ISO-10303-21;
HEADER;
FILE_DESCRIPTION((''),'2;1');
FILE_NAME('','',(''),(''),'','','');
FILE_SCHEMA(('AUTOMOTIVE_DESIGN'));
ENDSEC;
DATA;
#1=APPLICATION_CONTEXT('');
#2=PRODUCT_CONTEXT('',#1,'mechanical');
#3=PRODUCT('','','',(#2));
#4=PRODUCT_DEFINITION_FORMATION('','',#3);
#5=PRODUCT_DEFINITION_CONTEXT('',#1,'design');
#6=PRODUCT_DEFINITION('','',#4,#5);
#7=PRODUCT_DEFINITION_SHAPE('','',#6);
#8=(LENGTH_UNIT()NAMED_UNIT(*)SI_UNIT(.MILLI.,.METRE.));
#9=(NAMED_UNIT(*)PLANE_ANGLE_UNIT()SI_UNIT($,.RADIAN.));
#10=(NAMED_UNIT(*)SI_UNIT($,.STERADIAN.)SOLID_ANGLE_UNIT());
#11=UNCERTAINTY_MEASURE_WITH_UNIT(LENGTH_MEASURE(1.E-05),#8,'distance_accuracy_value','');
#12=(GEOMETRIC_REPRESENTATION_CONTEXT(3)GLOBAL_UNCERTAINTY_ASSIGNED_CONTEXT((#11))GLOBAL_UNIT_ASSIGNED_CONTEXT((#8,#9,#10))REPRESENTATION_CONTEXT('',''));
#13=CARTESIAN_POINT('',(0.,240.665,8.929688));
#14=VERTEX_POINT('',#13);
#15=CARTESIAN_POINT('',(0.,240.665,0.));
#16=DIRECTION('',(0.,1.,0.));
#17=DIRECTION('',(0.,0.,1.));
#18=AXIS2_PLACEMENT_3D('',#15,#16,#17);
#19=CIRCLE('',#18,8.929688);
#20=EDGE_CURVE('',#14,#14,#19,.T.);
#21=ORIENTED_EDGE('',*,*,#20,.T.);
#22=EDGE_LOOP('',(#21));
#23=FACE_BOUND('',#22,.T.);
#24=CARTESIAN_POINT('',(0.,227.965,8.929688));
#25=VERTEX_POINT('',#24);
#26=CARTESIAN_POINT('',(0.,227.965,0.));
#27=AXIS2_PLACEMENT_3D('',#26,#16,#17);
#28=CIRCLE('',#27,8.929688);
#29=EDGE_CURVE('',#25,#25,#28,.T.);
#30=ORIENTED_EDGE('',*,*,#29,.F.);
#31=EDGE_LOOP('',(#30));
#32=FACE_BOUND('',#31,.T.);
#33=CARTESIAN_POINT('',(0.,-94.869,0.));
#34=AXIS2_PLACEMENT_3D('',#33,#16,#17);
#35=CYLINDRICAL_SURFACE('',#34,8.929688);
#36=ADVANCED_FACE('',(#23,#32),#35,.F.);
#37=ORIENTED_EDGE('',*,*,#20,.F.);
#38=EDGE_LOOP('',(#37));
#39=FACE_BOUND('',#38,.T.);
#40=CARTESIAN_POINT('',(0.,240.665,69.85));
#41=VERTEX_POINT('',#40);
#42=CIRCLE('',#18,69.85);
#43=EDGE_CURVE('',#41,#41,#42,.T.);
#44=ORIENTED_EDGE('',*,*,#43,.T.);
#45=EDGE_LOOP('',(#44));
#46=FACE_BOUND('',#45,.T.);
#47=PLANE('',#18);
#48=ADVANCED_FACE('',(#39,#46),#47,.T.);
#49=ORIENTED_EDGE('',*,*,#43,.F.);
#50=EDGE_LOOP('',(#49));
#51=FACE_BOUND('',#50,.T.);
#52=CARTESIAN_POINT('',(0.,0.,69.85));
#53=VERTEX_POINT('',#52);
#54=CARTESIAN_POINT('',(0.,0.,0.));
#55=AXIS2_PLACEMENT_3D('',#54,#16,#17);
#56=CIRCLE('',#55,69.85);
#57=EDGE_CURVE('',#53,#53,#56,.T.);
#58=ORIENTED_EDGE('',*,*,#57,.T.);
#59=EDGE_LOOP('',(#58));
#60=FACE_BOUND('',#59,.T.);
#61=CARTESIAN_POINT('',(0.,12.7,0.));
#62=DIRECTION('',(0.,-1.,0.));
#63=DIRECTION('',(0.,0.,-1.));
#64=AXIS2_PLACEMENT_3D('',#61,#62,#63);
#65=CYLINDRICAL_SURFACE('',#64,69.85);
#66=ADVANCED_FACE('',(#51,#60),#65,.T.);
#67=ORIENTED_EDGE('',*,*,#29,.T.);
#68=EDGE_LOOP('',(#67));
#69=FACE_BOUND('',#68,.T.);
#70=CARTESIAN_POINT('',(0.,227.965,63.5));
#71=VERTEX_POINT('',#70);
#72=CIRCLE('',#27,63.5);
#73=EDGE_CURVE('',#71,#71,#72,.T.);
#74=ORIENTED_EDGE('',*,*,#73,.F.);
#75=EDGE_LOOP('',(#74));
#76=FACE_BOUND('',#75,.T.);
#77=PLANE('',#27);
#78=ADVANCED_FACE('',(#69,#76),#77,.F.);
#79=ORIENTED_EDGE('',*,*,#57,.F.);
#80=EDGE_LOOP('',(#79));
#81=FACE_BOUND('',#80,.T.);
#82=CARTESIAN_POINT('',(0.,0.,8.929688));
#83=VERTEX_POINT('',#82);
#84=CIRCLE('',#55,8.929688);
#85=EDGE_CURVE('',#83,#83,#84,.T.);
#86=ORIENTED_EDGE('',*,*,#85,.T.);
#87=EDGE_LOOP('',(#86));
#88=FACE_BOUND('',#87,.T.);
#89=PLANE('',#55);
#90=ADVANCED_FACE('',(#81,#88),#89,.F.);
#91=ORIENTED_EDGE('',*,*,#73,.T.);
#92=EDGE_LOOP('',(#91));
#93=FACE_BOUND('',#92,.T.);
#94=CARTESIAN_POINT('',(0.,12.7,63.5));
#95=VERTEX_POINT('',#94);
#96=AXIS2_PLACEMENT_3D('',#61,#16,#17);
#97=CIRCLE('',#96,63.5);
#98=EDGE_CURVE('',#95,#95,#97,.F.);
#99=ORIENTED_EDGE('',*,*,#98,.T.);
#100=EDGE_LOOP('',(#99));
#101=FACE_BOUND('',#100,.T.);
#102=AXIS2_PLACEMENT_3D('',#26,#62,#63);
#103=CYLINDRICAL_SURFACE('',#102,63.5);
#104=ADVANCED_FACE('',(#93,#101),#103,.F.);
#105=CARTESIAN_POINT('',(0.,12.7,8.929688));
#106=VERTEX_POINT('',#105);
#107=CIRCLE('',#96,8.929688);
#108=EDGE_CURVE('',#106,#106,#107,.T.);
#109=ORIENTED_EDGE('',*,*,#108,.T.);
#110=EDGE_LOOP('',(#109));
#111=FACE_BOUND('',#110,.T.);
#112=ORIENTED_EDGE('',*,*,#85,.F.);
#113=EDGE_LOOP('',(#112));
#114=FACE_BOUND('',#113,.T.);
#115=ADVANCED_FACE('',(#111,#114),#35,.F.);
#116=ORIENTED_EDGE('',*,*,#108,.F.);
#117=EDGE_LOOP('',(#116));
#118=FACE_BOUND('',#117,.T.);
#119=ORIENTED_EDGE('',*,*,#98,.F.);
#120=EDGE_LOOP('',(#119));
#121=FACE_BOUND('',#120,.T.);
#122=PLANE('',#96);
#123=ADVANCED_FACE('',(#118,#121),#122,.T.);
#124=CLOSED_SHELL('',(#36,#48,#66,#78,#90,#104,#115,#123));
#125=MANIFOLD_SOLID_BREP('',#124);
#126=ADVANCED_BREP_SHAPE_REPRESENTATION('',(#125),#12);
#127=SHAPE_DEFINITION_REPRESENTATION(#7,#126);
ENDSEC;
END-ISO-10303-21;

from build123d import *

# Parameters (mm, degrees)
SKETCH1_R           = 69.85
BOSS_EXTRUDE1_DEPTH = 12.7
SKETCH1_3_R         = 69.85
SKETCH1_3_R_2       = 63.5
BOSS_EXTRUDE2_DEPTH = 227.965
SKETCH2_R           = 69.85
BOSS_EXTRUDE3_DEPTH = 12.7
SKETCH3_R           = 8.9296875
CUT_EXTRUDE1_DEPTH  = 335.534


with BuildPart() as part:
    # Sketch1 → Boss-Extrude1 (new body)
    with BuildSketch(Plane(origin=(0, 0, 0), x_dir=(1, 0, 0), z_dir=(0, 1, 0))):
        Circle(SKETCH1_R)
    extrude(amount=BOSS_EXTRUDE1_DEPTH)

    # Sketch1<3> → Boss-Extrude2 (add)
    with BuildSketch(Plane(origin=(0, 0, 0), x_dir=(1, 0, 0), z_dir=(0, 1, 0))):
        Circle(SKETCH1_3_R)
        Circle(SKETCH1_3_R_2, mode=Mode.SUBTRACT)
    extrude(amount=BOSS_EXTRUDE2_DEPTH)

    # Sketch2 → Boss-Extrude3 (add)
    with BuildSketch(Plane(origin=(0, 227.965, 0), x_dir=(1, 0, 0), z_dir=(0, 1, 0))):
        Circle(SKETCH2_R)
    extrude(amount=BOSS_EXTRUDE3_DEPTH)

    # Sketch3 → Cut-Extrude1 (cut)
    with BuildSketch(Plane(origin=(0, 240.665, 0), x_dir=(1, 0, 0), z_dir=(0, 1, 0))):
        Circle(SKETCH3_R)
    extrude(amount=-CUT_EXTRUDE1_DEPTH, mode=Mode.SUBTRACT)


solid = part.part
